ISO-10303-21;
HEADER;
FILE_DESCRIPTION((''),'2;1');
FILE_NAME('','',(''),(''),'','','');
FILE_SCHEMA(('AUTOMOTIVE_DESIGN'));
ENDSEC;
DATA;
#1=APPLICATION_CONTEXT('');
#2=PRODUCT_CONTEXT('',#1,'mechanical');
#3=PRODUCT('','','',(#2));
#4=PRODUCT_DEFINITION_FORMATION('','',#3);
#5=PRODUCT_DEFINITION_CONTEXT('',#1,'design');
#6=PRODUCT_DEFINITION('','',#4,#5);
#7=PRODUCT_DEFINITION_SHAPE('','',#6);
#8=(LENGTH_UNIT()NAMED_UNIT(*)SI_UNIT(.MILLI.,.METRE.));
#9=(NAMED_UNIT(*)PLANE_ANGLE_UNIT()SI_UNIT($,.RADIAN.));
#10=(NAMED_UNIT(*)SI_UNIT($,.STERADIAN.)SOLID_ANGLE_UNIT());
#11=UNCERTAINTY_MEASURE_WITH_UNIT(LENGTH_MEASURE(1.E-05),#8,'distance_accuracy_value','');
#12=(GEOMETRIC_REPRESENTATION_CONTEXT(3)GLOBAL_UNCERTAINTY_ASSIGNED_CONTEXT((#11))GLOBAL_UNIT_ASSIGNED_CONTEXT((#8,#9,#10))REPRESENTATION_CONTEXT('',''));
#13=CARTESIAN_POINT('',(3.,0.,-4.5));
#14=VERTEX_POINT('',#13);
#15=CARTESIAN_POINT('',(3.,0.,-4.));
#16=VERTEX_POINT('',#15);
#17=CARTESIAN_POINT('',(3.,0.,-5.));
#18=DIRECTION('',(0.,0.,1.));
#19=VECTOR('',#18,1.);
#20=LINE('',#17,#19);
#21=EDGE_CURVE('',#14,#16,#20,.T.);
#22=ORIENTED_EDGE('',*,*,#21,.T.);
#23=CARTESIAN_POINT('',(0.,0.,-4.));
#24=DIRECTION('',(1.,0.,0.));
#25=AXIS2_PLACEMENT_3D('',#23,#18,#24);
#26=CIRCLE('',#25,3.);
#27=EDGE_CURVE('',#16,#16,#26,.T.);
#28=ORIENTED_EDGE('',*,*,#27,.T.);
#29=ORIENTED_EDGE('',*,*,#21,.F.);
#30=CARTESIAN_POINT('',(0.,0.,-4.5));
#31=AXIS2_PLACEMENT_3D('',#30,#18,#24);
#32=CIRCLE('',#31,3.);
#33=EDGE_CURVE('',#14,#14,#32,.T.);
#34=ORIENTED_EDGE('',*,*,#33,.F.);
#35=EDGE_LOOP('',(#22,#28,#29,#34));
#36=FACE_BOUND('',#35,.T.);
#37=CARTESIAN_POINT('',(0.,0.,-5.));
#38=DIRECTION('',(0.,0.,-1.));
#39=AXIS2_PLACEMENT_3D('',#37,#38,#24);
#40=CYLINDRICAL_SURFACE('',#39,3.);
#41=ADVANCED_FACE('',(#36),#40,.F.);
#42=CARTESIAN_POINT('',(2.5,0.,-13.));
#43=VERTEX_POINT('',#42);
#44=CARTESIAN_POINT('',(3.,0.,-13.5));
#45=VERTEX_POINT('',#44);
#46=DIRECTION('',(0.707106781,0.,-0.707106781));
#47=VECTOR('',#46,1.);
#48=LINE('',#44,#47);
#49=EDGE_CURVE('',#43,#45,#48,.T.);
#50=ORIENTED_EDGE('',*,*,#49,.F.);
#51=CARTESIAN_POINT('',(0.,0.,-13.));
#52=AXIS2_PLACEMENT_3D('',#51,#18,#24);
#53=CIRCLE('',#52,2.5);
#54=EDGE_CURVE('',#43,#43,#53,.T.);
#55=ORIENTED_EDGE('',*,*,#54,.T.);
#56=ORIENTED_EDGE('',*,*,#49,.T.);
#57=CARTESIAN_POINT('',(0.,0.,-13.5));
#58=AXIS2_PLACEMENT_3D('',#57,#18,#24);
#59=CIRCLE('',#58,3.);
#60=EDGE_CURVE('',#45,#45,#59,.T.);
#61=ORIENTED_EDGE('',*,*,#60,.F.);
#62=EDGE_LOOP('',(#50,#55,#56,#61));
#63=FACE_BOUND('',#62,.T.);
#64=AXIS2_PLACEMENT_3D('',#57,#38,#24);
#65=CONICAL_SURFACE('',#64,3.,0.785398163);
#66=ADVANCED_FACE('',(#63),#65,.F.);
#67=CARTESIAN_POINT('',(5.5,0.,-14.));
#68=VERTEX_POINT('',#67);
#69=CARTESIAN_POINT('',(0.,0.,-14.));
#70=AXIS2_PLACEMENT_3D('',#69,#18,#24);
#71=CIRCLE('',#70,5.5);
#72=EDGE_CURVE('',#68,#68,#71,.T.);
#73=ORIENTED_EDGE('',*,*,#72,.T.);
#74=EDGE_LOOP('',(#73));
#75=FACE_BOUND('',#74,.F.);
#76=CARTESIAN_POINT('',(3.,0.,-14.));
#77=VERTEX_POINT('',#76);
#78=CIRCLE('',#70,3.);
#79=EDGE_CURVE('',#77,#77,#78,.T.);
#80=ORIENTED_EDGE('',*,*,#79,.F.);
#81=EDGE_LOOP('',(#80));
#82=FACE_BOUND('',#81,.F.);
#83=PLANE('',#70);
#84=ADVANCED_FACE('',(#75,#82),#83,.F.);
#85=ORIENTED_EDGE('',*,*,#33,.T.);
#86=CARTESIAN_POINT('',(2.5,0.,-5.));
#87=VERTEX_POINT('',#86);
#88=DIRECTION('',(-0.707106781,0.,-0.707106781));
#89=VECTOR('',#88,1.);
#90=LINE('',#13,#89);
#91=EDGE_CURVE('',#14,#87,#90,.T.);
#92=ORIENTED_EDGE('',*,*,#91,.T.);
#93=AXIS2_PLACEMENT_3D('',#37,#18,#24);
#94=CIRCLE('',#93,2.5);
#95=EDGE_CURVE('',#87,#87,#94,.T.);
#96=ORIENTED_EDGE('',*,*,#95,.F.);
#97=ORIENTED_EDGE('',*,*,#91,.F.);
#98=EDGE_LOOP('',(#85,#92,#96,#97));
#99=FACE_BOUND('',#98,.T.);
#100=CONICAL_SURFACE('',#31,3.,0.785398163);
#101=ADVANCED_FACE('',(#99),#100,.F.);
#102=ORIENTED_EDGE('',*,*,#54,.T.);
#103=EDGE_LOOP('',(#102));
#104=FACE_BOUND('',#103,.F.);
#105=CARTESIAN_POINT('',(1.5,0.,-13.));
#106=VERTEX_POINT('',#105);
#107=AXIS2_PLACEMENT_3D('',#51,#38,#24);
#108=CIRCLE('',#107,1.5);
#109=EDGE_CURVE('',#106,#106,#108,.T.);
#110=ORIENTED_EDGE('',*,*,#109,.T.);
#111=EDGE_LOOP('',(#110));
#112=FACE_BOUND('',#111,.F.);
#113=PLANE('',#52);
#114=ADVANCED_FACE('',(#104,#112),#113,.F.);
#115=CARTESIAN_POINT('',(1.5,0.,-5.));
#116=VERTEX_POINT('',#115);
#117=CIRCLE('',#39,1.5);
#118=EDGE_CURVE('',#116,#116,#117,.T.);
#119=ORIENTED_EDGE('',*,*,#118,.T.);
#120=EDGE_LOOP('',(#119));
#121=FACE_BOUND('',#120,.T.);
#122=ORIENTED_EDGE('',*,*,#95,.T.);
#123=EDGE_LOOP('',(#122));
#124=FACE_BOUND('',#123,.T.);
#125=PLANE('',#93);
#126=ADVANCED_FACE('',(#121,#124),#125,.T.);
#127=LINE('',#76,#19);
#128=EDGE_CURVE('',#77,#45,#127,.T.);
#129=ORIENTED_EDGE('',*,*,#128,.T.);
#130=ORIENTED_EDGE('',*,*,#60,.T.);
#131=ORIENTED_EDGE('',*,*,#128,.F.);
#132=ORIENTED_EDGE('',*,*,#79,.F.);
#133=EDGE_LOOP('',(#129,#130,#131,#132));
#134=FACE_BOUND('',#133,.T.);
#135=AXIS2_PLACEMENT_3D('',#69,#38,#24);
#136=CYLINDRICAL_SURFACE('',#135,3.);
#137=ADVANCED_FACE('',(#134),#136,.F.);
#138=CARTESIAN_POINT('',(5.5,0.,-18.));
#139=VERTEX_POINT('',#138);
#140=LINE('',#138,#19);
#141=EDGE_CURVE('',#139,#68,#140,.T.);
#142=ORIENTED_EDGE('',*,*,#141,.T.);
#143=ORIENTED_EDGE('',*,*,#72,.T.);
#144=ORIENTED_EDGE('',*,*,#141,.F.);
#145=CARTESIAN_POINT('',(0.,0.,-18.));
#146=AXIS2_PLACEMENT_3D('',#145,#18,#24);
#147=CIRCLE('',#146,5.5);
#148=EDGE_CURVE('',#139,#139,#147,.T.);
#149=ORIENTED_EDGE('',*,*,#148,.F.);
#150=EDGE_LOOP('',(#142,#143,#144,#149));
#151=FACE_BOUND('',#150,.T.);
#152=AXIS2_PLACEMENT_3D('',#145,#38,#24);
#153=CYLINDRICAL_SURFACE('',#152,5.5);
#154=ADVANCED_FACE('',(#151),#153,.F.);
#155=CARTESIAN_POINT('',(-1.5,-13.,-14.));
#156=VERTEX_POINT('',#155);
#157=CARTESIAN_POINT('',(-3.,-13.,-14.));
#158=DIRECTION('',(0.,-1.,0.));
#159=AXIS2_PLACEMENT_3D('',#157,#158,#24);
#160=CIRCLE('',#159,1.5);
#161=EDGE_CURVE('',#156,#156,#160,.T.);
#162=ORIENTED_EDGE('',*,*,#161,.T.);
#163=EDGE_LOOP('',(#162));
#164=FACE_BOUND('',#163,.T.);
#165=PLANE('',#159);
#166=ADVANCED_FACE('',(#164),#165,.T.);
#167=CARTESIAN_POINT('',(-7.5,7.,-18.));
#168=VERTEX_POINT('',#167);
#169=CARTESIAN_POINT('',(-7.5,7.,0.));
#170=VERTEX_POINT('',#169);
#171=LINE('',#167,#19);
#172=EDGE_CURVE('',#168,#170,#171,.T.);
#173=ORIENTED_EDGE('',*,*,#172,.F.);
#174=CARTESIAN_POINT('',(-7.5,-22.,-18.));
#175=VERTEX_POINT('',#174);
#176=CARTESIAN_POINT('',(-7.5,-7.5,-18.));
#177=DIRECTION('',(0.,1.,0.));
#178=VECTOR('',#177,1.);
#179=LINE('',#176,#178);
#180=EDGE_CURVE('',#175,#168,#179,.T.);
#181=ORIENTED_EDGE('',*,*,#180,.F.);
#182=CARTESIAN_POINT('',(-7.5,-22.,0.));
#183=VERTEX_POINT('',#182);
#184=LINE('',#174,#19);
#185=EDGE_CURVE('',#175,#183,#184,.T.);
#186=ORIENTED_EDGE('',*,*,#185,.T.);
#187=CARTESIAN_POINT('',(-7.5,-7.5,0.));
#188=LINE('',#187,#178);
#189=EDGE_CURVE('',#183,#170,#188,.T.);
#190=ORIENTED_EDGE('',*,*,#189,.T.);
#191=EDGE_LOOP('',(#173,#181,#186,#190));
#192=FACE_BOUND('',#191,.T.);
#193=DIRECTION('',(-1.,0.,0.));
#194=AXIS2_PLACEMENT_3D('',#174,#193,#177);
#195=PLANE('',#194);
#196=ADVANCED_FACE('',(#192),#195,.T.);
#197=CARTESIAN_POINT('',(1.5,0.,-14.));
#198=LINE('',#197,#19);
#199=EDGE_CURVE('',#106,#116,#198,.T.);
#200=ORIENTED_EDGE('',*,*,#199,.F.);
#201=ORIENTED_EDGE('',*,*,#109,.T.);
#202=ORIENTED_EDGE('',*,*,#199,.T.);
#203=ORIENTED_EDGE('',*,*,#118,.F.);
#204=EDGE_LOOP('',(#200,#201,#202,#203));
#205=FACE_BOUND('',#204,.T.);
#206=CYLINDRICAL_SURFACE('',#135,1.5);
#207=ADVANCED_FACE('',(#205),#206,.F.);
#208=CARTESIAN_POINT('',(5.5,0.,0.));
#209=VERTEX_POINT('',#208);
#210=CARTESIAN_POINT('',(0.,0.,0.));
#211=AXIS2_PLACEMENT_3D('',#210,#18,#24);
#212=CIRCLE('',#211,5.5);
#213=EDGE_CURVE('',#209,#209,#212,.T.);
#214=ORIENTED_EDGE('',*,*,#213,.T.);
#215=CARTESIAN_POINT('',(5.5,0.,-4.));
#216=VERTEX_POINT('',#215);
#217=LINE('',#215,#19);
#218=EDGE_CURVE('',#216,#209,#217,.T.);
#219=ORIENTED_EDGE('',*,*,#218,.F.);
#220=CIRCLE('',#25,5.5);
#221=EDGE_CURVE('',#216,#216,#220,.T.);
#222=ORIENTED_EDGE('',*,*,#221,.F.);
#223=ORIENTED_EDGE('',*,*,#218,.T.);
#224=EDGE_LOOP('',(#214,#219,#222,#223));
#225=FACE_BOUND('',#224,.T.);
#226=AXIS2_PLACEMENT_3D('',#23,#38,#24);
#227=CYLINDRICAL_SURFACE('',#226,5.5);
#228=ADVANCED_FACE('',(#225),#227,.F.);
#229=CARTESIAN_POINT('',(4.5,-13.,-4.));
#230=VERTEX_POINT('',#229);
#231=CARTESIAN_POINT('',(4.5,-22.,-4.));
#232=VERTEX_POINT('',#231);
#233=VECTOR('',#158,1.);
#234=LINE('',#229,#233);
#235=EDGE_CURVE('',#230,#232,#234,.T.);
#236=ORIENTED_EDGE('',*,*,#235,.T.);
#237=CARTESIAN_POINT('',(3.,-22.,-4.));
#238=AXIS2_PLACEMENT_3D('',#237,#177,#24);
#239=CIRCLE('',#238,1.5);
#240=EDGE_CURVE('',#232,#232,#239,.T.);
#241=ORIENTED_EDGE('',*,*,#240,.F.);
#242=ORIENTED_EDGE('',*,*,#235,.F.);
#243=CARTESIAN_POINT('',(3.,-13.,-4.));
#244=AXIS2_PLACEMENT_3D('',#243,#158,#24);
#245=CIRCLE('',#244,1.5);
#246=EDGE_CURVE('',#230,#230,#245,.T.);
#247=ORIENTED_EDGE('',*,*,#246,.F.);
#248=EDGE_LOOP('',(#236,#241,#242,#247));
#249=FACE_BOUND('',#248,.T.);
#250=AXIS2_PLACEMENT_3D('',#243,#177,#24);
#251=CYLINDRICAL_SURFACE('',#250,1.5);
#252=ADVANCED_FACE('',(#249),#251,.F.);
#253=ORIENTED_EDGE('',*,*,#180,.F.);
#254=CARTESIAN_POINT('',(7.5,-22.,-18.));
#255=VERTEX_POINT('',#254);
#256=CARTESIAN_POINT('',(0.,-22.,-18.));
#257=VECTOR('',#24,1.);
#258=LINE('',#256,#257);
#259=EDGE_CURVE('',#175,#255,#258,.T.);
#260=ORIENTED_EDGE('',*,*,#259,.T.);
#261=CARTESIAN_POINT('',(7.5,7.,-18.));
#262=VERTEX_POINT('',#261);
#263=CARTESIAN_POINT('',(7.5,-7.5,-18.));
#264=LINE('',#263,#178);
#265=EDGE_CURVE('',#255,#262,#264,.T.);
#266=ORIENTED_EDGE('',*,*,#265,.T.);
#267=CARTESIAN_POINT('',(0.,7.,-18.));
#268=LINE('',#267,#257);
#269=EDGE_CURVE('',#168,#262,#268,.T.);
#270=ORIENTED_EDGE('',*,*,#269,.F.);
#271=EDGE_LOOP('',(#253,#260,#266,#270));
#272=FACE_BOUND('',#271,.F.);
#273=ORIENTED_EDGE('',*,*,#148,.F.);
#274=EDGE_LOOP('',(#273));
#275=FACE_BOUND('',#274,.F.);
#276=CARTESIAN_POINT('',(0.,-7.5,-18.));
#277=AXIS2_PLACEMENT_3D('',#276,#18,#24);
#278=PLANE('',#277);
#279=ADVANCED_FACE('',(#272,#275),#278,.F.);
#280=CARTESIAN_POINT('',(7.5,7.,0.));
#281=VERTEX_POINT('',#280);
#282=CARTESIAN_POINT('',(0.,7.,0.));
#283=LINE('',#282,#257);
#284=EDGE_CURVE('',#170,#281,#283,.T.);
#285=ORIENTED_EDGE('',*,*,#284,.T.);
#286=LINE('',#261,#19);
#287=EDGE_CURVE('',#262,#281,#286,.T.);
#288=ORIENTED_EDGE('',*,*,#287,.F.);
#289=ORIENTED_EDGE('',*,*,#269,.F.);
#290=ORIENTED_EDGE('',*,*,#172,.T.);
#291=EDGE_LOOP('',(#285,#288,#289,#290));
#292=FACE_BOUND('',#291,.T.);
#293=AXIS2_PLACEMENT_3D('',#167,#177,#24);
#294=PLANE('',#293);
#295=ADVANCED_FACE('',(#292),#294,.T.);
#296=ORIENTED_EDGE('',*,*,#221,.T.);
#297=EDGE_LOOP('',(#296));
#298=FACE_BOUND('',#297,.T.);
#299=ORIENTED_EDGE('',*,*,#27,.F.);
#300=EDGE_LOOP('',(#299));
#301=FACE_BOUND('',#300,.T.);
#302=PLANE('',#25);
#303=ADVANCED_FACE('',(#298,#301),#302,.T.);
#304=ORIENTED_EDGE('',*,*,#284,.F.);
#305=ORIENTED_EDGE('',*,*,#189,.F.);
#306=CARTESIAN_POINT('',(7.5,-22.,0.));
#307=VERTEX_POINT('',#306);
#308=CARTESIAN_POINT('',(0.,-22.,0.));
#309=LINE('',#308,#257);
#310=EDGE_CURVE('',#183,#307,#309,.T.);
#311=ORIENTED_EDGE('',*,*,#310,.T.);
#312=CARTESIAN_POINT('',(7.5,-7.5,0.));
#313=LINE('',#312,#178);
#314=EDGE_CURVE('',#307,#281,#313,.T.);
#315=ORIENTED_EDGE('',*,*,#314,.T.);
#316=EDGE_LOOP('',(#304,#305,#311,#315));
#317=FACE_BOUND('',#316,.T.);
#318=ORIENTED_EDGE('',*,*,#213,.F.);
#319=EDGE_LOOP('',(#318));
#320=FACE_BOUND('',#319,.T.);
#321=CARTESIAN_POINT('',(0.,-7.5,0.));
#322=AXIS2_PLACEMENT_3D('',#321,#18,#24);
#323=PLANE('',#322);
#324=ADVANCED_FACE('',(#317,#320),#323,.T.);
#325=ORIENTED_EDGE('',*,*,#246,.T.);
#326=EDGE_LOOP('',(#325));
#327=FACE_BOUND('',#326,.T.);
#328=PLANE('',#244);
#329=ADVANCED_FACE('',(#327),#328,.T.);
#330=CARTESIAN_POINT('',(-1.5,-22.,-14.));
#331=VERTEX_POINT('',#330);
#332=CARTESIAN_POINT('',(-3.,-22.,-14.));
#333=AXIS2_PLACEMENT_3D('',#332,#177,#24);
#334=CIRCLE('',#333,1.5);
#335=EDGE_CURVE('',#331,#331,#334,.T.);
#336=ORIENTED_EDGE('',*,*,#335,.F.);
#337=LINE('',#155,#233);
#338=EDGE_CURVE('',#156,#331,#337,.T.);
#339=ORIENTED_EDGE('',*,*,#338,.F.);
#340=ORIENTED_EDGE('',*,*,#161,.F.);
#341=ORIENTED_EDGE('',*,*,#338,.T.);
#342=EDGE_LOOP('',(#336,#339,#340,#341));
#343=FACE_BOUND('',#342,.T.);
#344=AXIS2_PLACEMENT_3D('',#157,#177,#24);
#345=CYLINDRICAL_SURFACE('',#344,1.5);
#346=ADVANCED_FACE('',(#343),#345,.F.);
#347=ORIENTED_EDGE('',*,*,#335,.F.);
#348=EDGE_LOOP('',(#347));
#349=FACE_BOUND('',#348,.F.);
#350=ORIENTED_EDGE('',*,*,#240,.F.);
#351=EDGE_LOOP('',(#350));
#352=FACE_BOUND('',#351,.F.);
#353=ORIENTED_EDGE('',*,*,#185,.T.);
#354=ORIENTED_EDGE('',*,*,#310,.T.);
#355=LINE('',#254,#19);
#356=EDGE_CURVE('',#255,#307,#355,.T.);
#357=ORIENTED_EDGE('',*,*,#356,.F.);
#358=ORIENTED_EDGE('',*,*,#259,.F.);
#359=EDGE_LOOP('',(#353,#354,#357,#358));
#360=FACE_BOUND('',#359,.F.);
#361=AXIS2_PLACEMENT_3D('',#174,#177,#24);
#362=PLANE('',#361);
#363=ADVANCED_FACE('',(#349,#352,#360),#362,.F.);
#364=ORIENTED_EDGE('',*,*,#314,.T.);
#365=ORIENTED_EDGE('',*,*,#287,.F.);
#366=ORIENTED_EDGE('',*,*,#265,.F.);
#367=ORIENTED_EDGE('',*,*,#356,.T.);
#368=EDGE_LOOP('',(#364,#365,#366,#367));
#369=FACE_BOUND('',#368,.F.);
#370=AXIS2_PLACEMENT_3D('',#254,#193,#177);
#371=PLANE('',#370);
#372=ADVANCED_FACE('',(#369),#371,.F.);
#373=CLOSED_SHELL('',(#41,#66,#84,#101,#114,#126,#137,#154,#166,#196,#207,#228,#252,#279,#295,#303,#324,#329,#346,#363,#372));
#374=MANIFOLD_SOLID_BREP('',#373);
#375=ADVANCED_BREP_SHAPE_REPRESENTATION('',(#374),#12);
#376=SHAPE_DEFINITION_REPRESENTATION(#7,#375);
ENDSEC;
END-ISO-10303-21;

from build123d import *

# Parameters (mm, degrees)
CYLINDER095_R      = 1.5
CYLINDER095_DEPTH  = 21
CYLINDER094_R      = 1.5
CYLINDER094_DEPTH  = 21
CYLINDER085_R      = 1.5
CYLINDER085_DEPTH  = 12
CYLINDER088_R      = 3
CYLINDER088_DEPTH  = 1
CYLINDER089_R      = 3
CYLINDER089_DEPTH  = 1
CYLINDER087_R      = 5.5
CYLINDER087_DEPTH  = 4
CYLINDER086_R      = 5.5
CYLINDER086_DEPTH  = 4
BOX406008013_W     = 15
BOX406008013_H     = 29
BOX406008013_DEPTH = 18
CHAMFER_SIZE       = 0.5
CHAMFER001_SIZE    = 0.5


with BuildPart() as cylinder095:
    # Cylinder095 → Cylinder095 (new body)
    with BuildSketch(Plane(origin=(3, -13, -4), x_dir=(1, 0, 0), z_dir=(0, -1, 0))):
        Circle(CYLINDER095_R)
    extrude(amount=CYLINDER095_DEPTH)


with BuildPart() as fusion103077013004017014:
    # Cylinder094 → Cylinder094 (new body)
    with BuildSketch(Plane(origin=(-3, -13, -14), x_dir=(1, 0, 0), z_dir=(0, -1, 0))):
        Circle(CYLINDER094_R)
    extrude(amount=CYLINDER094_DEPTH)

    # Fusion103077013004017014: union Cylinder095
    add(cylinder095.part)


with BuildPart() as cylinder081:
    # Cylinder085 → Cylinder085 (new body)
    with BuildSketch(Plane.XY.offset(-14)):
        Circle(CYLINDER085_R)
    extrude(amount=CYLINDER085_DEPTH)


with BuildPart() as cylinder082:
    # Cylinder088 → Cylinder088 (new body)
    with BuildSketch(Plane.XY.offset(-5)):
        Circle(CYLINDER088_R)
    extrude(amount=CYLINDER088_DEPTH)


with BuildPart() as fusion103077013004017009:
    # Cylinder089 → Cylinder089 (new body)
    with BuildSketch(Plane.XY.offset(-14)):
        Circle(CYLINDER089_R)
    extrude(amount=CYLINDER089_DEPTH)

    # Fusion103077013004017009: union Cylinder082
    add(cylinder082.part)


with BuildPart() as f_623_bearing003:
    # Cylinder087 → Cylinder087 (new body)
    with BuildSketch(Plane.XY.offset(-18)):
        Circle(CYLINDER087_R)
    extrude(amount=CYLINDER087_DEPTH)


with BuildPart() as f_623_bearing_holes:
    # Cylinder086 → Cylinder086 (new body)
    with BuildSketch(Plane.XY.offset(-4)):
        Circle(CYLINDER086_R)
    extrude(amount=CYLINDER086_DEPTH)

    # Fusion103077013004017008: union 623 Bearing003
    add(f_623_bearing003.part)


with BuildPart() as bearing_mount_end:
    # Box406008013 → Box406008013 (new body)
    with BuildSketch(Plane(origin=(-7.5, -22, -18), x_dir=(1, 0, 0), z_dir=(0, 0, 1))):
        with Locations((7.5, 14.5)):
            Rectangle(BOX406008013_W, BOX406008013_H)
    extrude(amount=BOX406008013_DEPTH)

    # Cut070: cut 623 Bearing Holes
    add(f_623_bearing_holes.part, mode=Mode.SUBTRACT)

    # Cut071: cut Fusion103077013004017009
    add(fusion103077013004017009.part, mode=Mode.SUBTRACT)

    # Cut072: cut Cylinder081
    add(cylinder081.part, mode=Mode.SUBTRACT)

    # Chamfer
    chamfer_edges = [bearing_mount_end.edges().sort_by_distance(p)[0] for p in [
        (-3, 0, -5),
    ]]
    chamfer(chamfer_edges, length=CHAMFER_SIZE)

    # Chamfer001
    chamfer001_edges = [bearing_mount_end.edges().sort_by_distance(p)[0] for p in [
        (-3, 0, -13),
    ]]
    chamfer(chamfer001_edges, length=CHAMFER001_SIZE)

    # Cut078: cut Fusion103077013004017014
    add(fusion103077013004017014.part, mode=Mode.SUBTRACT)


solid = bearing_mount_end.part
